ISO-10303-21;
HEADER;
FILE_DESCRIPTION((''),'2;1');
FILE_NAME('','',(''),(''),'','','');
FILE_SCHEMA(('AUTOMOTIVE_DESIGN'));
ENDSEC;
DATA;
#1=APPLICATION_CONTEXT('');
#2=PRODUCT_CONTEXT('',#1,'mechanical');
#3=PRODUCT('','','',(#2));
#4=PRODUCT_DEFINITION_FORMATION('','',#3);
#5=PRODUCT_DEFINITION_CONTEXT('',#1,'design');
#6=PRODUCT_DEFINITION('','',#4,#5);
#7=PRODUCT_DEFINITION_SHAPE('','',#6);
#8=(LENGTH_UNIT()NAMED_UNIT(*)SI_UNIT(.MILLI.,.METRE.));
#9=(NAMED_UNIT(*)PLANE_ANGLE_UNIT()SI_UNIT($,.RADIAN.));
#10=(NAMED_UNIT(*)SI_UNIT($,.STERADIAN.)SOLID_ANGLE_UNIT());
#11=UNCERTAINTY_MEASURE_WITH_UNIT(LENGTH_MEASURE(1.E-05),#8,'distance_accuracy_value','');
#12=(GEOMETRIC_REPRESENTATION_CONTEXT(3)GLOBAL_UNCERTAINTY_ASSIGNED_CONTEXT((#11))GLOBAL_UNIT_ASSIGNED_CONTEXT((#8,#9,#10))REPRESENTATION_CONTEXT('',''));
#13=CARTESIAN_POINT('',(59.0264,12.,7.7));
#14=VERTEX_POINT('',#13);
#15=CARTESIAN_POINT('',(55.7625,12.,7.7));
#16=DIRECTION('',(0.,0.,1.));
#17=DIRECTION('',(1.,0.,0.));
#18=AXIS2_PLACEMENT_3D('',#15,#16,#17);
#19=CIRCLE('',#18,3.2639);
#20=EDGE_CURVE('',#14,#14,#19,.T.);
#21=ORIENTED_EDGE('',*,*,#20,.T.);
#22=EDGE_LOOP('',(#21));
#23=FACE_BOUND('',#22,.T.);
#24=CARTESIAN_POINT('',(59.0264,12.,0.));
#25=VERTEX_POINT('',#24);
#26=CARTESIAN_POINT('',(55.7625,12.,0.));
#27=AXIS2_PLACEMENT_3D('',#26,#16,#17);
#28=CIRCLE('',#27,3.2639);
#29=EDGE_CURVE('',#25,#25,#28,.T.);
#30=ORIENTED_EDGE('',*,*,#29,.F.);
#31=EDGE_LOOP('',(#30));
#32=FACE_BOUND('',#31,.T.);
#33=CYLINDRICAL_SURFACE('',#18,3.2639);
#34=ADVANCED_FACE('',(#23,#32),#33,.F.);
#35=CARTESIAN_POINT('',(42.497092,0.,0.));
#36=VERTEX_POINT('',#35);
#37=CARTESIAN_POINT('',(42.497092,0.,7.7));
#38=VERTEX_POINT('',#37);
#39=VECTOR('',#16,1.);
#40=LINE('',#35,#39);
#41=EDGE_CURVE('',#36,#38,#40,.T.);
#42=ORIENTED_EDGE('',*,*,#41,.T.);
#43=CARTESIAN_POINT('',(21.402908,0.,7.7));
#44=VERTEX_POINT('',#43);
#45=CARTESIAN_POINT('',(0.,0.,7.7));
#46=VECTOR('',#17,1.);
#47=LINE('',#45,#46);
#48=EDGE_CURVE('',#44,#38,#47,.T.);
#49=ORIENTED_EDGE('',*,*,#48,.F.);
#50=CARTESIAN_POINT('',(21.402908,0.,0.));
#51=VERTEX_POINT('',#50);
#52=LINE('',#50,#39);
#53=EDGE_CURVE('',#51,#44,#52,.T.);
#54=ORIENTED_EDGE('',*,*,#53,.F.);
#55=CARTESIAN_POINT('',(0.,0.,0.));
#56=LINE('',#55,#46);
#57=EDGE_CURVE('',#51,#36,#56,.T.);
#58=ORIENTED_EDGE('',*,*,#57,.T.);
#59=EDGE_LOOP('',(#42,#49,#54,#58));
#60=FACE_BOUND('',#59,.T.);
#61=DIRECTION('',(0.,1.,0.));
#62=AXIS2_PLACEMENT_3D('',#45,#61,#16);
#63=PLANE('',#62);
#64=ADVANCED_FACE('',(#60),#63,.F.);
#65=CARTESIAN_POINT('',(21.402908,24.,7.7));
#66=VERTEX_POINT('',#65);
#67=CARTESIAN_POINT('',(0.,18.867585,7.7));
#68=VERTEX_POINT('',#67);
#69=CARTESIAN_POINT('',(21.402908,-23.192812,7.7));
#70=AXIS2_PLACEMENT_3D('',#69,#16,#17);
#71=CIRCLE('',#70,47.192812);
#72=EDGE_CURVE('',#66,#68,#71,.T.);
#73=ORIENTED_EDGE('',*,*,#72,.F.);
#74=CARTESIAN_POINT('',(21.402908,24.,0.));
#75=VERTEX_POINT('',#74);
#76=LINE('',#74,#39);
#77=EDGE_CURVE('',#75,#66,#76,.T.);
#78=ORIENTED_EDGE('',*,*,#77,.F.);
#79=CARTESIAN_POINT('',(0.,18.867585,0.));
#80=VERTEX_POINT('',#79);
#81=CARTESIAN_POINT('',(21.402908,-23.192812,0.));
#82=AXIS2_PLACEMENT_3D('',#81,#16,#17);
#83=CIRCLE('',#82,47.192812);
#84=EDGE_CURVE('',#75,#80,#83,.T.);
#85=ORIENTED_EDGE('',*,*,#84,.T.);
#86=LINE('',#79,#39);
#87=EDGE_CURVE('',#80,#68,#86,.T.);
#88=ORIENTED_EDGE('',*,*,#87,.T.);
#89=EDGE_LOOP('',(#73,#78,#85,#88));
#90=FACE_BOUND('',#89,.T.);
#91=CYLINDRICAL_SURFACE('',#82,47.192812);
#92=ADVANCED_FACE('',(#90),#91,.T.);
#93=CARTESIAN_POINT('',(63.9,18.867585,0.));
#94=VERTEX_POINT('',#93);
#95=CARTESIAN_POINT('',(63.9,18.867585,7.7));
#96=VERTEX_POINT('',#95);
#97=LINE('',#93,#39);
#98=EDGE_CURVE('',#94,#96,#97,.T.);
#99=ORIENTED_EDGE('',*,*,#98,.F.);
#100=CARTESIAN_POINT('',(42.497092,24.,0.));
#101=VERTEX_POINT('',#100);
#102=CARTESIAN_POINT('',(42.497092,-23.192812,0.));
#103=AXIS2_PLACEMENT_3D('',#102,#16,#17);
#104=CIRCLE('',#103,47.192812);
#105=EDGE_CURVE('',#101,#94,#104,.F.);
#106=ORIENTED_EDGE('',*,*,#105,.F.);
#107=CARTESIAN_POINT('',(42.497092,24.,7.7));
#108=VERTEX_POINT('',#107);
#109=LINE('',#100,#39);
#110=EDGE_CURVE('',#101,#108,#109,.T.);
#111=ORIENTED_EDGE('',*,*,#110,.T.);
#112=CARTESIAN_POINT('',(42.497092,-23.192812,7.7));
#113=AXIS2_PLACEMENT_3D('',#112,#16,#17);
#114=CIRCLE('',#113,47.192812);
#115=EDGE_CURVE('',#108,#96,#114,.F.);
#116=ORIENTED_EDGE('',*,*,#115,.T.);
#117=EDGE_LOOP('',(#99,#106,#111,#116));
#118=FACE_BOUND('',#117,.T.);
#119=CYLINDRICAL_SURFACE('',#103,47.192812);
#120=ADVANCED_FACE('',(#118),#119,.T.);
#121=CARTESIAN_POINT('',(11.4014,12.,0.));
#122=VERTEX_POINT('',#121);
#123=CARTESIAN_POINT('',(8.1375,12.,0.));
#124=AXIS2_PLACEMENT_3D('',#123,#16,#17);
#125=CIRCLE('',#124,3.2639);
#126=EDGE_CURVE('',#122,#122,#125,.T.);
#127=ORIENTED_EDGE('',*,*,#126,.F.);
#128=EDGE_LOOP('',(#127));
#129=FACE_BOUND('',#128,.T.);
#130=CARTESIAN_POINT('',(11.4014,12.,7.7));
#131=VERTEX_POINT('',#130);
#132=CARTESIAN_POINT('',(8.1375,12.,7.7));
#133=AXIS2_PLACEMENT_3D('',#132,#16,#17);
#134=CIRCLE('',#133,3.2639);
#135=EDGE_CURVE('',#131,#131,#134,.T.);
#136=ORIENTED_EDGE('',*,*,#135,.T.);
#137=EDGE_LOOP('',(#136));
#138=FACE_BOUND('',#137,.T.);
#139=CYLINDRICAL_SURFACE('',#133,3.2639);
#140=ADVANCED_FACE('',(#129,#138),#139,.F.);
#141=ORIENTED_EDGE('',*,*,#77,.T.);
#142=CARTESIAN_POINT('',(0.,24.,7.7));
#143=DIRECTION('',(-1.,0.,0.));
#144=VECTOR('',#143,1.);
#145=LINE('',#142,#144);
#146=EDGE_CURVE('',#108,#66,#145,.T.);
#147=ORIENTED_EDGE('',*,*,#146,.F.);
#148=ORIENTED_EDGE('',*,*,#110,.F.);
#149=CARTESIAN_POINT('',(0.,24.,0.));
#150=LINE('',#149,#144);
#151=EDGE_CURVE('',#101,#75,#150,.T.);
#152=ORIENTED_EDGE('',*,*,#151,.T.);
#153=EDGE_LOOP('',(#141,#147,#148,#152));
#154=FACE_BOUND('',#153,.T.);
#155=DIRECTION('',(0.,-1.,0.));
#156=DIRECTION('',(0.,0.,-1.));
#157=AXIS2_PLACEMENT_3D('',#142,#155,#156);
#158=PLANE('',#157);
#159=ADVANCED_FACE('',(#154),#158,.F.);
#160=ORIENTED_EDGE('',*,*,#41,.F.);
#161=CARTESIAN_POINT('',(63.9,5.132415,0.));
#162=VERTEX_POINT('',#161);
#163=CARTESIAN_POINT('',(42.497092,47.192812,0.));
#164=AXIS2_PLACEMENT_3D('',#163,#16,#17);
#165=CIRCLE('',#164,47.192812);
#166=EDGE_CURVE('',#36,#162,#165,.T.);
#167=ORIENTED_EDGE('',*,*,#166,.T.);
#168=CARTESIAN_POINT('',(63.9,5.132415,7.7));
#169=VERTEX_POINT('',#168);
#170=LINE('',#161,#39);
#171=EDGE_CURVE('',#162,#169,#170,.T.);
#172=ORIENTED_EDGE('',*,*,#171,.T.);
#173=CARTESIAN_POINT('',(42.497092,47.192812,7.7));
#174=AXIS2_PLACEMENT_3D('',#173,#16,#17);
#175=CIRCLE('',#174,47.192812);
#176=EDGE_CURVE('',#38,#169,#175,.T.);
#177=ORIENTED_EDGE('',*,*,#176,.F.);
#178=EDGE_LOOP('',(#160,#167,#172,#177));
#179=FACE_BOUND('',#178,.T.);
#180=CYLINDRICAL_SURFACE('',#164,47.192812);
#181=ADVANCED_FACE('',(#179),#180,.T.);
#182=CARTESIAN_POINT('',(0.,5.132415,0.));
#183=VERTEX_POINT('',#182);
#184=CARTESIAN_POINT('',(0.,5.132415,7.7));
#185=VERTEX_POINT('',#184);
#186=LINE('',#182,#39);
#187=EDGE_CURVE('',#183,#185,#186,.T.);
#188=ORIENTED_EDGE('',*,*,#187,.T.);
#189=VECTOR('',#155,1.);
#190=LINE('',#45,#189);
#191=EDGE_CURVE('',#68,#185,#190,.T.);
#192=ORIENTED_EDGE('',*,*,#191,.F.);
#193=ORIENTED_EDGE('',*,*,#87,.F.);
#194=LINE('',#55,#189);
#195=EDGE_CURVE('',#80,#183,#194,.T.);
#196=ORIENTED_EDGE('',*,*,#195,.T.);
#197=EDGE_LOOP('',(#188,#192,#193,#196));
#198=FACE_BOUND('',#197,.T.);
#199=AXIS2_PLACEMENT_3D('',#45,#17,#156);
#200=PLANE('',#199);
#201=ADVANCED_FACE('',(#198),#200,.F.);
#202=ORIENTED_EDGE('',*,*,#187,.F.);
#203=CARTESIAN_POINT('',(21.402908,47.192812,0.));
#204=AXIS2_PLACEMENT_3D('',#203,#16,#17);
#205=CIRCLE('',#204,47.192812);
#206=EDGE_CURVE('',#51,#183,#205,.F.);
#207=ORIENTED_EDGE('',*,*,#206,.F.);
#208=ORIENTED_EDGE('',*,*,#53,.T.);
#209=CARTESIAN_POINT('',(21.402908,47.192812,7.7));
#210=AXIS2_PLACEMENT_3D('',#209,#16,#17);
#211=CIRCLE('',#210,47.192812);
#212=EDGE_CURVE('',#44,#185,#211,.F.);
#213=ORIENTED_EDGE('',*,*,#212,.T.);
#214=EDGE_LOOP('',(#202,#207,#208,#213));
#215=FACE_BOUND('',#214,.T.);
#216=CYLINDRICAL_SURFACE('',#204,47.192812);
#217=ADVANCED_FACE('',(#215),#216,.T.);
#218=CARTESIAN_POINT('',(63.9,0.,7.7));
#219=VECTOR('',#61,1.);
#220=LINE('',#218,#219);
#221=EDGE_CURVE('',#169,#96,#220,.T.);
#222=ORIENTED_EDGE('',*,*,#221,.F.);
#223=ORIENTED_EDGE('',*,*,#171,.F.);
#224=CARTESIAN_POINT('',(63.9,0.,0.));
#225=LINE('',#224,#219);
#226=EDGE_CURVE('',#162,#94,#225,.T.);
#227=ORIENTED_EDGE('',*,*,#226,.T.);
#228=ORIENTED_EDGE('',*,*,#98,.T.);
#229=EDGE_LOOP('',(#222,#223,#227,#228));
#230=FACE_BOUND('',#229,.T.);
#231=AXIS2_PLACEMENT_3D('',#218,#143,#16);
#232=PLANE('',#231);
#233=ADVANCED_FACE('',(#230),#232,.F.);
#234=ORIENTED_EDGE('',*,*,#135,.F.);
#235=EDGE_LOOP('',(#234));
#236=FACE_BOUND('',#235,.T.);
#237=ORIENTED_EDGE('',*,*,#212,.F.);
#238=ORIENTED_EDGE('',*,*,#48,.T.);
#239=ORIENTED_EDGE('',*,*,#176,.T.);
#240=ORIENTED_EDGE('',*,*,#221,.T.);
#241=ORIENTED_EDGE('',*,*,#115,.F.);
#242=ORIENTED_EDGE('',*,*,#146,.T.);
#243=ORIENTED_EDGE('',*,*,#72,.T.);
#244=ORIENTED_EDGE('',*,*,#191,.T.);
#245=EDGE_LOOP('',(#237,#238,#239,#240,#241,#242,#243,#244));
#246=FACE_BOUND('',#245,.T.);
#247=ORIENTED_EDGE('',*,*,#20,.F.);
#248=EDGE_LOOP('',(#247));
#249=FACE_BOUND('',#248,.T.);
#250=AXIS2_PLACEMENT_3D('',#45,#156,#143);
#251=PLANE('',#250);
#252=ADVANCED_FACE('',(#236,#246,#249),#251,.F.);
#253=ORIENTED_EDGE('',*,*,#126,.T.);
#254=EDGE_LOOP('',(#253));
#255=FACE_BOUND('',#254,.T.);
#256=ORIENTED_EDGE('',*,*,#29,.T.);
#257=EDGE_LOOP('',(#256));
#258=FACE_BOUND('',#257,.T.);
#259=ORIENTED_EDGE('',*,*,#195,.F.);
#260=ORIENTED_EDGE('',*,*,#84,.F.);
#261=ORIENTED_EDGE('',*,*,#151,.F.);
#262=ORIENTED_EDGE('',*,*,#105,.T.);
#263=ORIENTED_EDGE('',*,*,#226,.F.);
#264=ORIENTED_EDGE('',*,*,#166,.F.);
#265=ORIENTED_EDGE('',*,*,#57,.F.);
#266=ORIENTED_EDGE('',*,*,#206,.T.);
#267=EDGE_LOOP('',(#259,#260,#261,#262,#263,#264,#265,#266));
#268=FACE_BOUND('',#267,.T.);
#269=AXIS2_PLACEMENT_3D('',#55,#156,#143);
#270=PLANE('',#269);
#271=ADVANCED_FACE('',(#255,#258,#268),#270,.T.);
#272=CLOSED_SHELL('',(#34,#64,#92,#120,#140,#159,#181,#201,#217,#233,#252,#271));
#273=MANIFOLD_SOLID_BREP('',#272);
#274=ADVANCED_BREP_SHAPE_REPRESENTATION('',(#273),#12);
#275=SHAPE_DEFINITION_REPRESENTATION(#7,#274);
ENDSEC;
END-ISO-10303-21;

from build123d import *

# Parameters (mm, degrees)
SKETCH1_W                = 63.9
SKETCH1_H                = 24
BOSS_EXTRUDE1_DEPTH      = 7.7
F_5_16_18_TAPPED_HOLE1_D = 6.5278
CUT_EXTRUDE1_DEPTH       = 69.69133861


with BuildPart() as part:
    # Sketch1 → Boss-Extrude1 (new body)
    with BuildSketch(Plane.XY):
        with Locations((31.95, 12)):
            Rectangle(SKETCH1_W, SKETCH1_H)
    extrude(amount=BOSS_EXTRUDE1_DEPTH)

    # 5/16-18 Tapped Hole1 (through all)
    with Locations(Plane(origin=(8.1375, 12, 7.7), x_dir=(1, 0, 0), z_dir=(0, 0, 1))):
        with Locations((0, 0), (47.625, 0)):
            Hole(F_5_16_18_TAPPED_HOLE1_D / 2)

    # Sketch4 → Cut-Extrude1 (cut, through all)
    with BuildSketch(Plane.XY.offset(7.7)):
        with BuildLine():
            ThreePointArc((0, 18.867585454), (10.39806648, 22.698962504), (21.402908053, 24))
            Line((21.402908053, 24), (0, 24))
            Line((0, 24), (0, 18.867585454))
        make_face()
        with BuildLine():
            Line((0, 0), (21.402908053, 0))
            ThreePointArc((21.402908053, 0), (10.39806648, 1.301037496), (0, 5.132414546))
            Line((0, 5.132414546), (0, 0))
        make_face()
        with BuildLine():
            Line((63.9, 0), (63.9, 5.132414546))
            ThreePointArc((63.9, 5.132414546), (53.50193352, 1.301037496), (42.497091947, 0))
            Line((42.497091947, 0), (63.9, 0))
        make_face()
        with BuildLine():
            Line((63.9, 18.867585454), (63.9, 24))
            Line((63.9, 24), (42.497091947, 24))
            ThreePointArc((42.497091947, 24), (53.50193352, 22.698962504), (63.9, 18.867585454))
        make_face()
    extrude(amount=-CUT_EXTRUDE1_DEPTH, mode=Mode.SUBTRACT)


solid = part.part
